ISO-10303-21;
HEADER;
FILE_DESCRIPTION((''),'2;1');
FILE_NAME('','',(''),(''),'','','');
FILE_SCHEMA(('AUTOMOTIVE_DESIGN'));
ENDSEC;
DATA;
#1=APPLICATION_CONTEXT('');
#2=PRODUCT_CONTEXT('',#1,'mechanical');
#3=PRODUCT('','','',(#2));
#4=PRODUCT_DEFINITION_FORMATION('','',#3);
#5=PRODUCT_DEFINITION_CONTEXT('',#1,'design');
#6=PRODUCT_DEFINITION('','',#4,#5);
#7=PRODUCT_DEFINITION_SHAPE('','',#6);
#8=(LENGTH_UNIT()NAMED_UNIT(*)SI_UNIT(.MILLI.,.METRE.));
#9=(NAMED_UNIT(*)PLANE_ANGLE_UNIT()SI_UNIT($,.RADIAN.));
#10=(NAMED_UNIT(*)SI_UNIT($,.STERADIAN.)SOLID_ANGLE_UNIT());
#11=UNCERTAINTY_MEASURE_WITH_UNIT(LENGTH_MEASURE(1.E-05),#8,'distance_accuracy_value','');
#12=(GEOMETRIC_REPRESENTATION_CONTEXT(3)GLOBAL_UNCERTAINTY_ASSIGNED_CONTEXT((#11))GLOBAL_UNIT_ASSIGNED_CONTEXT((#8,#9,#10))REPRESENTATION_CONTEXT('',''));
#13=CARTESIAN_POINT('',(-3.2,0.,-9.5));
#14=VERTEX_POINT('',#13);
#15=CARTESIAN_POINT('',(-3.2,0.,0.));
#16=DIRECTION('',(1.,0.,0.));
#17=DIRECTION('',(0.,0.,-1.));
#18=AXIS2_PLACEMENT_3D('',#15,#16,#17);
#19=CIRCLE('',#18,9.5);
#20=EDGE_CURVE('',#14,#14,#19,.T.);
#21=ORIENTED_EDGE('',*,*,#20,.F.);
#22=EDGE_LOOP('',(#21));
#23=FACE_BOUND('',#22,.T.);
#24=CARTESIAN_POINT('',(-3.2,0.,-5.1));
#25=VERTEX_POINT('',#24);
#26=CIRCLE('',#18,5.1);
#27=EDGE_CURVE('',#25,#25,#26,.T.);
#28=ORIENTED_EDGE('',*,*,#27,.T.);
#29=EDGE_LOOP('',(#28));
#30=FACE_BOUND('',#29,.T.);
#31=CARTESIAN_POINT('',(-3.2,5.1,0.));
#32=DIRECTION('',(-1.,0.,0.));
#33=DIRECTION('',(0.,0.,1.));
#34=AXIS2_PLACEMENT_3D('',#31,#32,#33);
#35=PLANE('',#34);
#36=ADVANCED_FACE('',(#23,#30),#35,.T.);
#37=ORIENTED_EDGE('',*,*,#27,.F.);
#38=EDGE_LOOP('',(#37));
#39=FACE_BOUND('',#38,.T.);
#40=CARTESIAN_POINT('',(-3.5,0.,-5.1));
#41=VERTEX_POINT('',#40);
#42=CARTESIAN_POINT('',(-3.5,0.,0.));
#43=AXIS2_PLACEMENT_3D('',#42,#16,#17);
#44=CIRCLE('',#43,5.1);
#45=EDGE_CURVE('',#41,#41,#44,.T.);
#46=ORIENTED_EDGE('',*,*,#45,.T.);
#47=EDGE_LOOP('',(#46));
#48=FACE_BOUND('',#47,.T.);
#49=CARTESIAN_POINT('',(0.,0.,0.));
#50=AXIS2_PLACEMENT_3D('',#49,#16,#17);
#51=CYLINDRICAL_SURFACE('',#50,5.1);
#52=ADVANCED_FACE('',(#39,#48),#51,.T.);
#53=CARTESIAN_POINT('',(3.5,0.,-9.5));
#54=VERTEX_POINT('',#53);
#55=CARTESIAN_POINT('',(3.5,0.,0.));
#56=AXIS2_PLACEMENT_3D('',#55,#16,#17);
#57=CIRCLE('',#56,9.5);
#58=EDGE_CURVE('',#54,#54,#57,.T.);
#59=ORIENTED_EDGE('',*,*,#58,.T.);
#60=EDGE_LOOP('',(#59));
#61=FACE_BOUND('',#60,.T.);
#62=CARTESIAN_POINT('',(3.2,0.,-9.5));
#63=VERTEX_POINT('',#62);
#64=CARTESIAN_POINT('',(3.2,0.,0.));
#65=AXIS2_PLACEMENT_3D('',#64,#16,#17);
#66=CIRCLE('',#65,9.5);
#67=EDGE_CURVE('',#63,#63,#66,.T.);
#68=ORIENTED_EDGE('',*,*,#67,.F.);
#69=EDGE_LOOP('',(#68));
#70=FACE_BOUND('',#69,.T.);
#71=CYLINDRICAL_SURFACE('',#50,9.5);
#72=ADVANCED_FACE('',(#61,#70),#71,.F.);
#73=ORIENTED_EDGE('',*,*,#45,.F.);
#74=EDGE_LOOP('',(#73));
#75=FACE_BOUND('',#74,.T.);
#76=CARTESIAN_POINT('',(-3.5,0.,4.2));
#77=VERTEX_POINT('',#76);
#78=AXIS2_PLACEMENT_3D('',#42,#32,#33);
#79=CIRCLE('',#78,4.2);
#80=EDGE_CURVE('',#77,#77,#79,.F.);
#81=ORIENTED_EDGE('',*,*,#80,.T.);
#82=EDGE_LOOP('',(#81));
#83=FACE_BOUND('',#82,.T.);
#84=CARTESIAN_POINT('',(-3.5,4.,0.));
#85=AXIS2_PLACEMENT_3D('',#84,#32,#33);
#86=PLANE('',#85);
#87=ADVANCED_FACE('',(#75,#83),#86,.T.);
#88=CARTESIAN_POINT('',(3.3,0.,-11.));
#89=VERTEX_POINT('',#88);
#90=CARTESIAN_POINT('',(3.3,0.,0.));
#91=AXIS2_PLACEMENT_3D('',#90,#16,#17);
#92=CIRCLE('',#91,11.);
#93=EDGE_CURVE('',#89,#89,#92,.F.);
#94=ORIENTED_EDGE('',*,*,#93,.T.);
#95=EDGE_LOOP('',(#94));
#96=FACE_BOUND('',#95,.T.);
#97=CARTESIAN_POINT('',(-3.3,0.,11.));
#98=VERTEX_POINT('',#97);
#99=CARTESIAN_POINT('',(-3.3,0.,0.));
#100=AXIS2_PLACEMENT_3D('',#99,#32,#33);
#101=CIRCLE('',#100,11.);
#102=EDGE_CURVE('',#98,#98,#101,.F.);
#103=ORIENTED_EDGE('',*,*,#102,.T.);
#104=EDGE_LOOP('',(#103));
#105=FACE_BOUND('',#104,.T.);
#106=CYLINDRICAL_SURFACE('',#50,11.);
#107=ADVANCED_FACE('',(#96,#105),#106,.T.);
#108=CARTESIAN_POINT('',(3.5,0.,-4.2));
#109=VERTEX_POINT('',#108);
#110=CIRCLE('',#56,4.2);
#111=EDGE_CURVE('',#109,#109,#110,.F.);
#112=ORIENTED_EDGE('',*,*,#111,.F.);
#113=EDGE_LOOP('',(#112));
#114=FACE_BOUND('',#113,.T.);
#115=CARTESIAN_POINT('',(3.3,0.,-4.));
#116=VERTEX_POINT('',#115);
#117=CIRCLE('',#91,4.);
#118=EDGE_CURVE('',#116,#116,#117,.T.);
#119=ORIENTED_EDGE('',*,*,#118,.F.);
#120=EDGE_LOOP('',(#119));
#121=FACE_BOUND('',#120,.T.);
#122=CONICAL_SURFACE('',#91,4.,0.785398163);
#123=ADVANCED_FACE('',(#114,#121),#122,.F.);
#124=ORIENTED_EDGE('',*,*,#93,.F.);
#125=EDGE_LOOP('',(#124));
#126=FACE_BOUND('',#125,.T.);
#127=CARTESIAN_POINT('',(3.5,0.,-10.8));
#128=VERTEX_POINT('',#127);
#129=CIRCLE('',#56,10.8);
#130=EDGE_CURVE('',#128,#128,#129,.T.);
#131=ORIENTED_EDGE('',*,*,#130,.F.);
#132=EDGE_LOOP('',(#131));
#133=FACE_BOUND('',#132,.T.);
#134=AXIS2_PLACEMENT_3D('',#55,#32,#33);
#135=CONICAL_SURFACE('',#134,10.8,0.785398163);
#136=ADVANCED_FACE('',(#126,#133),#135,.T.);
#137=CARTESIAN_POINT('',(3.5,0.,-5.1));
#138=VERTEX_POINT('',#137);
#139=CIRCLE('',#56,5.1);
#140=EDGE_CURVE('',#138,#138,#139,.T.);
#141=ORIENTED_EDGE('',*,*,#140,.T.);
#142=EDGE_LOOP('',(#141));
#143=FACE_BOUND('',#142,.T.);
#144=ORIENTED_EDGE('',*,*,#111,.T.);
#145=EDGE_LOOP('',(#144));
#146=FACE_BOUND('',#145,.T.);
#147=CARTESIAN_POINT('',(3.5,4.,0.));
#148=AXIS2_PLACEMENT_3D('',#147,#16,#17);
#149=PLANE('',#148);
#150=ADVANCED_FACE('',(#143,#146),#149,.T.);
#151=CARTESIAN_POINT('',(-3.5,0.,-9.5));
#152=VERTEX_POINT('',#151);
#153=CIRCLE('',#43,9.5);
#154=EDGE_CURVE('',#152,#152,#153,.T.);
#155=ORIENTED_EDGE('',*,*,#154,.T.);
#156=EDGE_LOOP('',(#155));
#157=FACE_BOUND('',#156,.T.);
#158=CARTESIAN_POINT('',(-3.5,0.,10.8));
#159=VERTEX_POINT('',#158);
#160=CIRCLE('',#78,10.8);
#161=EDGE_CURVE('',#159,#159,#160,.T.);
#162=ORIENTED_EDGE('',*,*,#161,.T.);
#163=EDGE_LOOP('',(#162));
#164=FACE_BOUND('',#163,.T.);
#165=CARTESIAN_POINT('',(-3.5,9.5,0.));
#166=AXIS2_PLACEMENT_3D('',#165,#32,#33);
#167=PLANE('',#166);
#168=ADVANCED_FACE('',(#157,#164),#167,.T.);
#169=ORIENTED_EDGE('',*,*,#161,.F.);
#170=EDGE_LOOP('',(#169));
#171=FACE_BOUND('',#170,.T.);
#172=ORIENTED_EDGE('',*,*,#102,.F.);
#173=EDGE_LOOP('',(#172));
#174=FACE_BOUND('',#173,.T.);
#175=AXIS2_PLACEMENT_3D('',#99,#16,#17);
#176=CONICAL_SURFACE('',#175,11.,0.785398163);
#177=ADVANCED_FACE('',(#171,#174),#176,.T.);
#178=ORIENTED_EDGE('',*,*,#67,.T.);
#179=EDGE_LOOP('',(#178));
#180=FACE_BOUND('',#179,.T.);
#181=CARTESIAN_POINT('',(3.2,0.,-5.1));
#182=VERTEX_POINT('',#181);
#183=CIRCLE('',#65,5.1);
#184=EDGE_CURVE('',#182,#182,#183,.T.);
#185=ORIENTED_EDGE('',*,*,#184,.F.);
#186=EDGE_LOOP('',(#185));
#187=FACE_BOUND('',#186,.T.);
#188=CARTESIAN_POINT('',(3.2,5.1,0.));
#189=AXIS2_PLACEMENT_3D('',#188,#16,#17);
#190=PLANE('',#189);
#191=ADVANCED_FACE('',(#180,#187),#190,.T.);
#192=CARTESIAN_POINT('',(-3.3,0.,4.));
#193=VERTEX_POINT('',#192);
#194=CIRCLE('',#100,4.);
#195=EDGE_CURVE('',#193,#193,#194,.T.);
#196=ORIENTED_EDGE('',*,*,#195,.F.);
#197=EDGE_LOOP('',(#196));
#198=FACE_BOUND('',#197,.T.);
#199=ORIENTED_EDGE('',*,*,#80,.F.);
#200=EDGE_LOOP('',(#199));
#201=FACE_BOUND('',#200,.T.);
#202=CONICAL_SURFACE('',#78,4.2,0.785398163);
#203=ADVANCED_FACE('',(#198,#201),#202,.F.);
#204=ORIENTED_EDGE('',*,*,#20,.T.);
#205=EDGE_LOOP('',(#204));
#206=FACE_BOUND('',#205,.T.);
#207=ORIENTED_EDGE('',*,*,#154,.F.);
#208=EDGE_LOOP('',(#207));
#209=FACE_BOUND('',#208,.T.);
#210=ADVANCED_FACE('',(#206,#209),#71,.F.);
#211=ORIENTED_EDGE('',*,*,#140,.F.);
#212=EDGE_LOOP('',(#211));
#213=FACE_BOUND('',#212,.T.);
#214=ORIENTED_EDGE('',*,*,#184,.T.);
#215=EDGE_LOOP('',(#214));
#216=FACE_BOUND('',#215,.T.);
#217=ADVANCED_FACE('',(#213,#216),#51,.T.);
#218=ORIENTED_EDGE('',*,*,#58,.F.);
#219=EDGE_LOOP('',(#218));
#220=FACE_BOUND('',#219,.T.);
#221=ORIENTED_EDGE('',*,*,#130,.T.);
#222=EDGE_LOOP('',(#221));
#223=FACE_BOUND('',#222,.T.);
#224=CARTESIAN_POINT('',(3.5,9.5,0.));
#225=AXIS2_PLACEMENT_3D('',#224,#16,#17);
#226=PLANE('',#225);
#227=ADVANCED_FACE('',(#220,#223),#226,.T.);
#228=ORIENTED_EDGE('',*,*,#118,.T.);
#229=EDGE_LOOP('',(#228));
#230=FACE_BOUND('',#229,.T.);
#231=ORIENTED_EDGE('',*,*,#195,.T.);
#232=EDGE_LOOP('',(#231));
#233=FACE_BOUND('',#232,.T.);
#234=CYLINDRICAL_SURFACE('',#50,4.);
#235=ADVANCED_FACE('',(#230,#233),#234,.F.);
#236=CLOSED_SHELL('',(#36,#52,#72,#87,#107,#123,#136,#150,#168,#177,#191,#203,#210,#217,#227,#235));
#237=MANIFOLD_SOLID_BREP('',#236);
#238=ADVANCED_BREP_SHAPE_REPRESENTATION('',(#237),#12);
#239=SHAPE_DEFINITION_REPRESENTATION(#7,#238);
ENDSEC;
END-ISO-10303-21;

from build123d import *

# Parameters (mm, degrees)
CHAMFER1_SIZE = 0.2


with BuildPart() as part:
    # Sketch1 → Revolve1 (revolve)
    with BuildSketch(Plane.XY, mode=Mode.PRIVATE) as revolve1_sk:
        Polygon((3.5, 4), (-3.5, 4), (-3.5, 5.1), (-3.2, 5.1), (-3.2, 9.5), (-3.5, 9.5), (-3.5, 11), (3.5, 11), (3.5, 9.5), (3.2, 9.5), (3.2, 5.1), (3.5, 5.1), align=None)
    revolve(revolve1_sk.sketch.rotate(Axis((0, 0, 0), (-1, 0, 0)), 90), axis=Axis((0, 0, 0), (-1, 0, 0)))

    # Chamfer1
    chamfer1_edges = [part.edges().sort_by_distance(p)[0] for p in [
        (3.5, 0, 11),
        (-3.5, 0, 11),
        (-3.5, 0, 4),
        (3.5, 0, 4),
    ]]
    chamfer(chamfer1_edges, length=CHAMFER1_SIZE)


solid = part.part
